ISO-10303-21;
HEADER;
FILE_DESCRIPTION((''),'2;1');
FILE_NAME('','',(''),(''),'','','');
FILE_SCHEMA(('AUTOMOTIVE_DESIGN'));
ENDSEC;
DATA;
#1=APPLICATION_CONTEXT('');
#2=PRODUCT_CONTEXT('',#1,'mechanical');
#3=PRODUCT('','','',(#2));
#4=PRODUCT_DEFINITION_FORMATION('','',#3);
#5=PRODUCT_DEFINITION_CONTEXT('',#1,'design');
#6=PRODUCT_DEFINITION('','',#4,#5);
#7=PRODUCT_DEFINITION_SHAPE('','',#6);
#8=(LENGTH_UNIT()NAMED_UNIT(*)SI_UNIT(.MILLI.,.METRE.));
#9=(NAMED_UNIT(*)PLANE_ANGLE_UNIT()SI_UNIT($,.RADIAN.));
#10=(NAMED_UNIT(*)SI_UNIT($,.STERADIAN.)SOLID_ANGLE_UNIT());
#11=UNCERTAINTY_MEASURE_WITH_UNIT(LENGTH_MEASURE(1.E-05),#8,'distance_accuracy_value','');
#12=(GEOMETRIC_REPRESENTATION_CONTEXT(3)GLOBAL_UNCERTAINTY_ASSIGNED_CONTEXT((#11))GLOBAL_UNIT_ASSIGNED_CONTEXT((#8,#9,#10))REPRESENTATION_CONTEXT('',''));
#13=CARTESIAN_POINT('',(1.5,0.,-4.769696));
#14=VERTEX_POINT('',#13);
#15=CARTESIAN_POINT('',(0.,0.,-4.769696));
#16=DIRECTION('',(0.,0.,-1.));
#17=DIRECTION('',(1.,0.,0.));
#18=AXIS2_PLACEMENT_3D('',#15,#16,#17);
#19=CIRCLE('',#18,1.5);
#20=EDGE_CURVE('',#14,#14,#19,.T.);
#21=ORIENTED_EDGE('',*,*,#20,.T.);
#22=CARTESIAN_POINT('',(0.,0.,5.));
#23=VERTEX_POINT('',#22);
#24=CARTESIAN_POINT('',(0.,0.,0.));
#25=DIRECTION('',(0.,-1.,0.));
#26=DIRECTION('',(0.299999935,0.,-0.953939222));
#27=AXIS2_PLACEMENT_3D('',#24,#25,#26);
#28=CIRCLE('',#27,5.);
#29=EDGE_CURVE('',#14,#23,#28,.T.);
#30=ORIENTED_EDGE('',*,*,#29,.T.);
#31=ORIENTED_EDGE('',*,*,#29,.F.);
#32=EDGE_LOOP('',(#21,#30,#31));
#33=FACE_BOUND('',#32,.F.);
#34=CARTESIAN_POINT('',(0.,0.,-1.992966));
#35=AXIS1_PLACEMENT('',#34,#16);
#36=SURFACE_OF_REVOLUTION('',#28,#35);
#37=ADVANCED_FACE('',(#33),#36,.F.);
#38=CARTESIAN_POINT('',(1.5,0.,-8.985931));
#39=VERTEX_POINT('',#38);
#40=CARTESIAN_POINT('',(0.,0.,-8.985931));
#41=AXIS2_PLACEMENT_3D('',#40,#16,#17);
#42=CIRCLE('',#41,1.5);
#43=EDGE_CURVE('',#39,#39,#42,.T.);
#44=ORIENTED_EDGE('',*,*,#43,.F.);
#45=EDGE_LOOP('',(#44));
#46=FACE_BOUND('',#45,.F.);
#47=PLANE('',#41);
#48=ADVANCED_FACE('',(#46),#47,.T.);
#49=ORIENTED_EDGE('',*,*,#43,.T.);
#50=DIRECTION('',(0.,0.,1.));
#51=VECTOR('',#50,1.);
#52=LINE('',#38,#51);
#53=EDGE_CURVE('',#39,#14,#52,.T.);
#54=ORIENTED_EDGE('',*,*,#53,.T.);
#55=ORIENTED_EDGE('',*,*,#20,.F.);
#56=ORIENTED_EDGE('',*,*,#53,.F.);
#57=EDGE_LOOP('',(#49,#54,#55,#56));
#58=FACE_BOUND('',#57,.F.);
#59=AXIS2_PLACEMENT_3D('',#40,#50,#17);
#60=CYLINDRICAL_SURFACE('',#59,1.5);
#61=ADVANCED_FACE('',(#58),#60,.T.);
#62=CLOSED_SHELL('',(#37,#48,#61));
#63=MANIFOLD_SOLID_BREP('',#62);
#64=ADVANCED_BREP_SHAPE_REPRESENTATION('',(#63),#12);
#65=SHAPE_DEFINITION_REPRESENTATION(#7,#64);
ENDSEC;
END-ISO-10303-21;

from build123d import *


with BuildPart() as f1:
    # F0 (on Front) → F1 (revolve)
    with BuildSketch(Plane.XZ):
        with BuildLine():
            Line((1.5, -8.985931), (1.5, -4.769696))
            ThreePointArc((1.5, -4.769696), (4.942089, 0.758788), (0, 5))
            Line((0, 5), (0, -8.985931))
            Line((0, -8.985931), (1.5, -8.985931))
        make_face()
    revolve(axis=Axis((0, 0, -1.992966), (0, 0, -1)))


solid = f1.part
